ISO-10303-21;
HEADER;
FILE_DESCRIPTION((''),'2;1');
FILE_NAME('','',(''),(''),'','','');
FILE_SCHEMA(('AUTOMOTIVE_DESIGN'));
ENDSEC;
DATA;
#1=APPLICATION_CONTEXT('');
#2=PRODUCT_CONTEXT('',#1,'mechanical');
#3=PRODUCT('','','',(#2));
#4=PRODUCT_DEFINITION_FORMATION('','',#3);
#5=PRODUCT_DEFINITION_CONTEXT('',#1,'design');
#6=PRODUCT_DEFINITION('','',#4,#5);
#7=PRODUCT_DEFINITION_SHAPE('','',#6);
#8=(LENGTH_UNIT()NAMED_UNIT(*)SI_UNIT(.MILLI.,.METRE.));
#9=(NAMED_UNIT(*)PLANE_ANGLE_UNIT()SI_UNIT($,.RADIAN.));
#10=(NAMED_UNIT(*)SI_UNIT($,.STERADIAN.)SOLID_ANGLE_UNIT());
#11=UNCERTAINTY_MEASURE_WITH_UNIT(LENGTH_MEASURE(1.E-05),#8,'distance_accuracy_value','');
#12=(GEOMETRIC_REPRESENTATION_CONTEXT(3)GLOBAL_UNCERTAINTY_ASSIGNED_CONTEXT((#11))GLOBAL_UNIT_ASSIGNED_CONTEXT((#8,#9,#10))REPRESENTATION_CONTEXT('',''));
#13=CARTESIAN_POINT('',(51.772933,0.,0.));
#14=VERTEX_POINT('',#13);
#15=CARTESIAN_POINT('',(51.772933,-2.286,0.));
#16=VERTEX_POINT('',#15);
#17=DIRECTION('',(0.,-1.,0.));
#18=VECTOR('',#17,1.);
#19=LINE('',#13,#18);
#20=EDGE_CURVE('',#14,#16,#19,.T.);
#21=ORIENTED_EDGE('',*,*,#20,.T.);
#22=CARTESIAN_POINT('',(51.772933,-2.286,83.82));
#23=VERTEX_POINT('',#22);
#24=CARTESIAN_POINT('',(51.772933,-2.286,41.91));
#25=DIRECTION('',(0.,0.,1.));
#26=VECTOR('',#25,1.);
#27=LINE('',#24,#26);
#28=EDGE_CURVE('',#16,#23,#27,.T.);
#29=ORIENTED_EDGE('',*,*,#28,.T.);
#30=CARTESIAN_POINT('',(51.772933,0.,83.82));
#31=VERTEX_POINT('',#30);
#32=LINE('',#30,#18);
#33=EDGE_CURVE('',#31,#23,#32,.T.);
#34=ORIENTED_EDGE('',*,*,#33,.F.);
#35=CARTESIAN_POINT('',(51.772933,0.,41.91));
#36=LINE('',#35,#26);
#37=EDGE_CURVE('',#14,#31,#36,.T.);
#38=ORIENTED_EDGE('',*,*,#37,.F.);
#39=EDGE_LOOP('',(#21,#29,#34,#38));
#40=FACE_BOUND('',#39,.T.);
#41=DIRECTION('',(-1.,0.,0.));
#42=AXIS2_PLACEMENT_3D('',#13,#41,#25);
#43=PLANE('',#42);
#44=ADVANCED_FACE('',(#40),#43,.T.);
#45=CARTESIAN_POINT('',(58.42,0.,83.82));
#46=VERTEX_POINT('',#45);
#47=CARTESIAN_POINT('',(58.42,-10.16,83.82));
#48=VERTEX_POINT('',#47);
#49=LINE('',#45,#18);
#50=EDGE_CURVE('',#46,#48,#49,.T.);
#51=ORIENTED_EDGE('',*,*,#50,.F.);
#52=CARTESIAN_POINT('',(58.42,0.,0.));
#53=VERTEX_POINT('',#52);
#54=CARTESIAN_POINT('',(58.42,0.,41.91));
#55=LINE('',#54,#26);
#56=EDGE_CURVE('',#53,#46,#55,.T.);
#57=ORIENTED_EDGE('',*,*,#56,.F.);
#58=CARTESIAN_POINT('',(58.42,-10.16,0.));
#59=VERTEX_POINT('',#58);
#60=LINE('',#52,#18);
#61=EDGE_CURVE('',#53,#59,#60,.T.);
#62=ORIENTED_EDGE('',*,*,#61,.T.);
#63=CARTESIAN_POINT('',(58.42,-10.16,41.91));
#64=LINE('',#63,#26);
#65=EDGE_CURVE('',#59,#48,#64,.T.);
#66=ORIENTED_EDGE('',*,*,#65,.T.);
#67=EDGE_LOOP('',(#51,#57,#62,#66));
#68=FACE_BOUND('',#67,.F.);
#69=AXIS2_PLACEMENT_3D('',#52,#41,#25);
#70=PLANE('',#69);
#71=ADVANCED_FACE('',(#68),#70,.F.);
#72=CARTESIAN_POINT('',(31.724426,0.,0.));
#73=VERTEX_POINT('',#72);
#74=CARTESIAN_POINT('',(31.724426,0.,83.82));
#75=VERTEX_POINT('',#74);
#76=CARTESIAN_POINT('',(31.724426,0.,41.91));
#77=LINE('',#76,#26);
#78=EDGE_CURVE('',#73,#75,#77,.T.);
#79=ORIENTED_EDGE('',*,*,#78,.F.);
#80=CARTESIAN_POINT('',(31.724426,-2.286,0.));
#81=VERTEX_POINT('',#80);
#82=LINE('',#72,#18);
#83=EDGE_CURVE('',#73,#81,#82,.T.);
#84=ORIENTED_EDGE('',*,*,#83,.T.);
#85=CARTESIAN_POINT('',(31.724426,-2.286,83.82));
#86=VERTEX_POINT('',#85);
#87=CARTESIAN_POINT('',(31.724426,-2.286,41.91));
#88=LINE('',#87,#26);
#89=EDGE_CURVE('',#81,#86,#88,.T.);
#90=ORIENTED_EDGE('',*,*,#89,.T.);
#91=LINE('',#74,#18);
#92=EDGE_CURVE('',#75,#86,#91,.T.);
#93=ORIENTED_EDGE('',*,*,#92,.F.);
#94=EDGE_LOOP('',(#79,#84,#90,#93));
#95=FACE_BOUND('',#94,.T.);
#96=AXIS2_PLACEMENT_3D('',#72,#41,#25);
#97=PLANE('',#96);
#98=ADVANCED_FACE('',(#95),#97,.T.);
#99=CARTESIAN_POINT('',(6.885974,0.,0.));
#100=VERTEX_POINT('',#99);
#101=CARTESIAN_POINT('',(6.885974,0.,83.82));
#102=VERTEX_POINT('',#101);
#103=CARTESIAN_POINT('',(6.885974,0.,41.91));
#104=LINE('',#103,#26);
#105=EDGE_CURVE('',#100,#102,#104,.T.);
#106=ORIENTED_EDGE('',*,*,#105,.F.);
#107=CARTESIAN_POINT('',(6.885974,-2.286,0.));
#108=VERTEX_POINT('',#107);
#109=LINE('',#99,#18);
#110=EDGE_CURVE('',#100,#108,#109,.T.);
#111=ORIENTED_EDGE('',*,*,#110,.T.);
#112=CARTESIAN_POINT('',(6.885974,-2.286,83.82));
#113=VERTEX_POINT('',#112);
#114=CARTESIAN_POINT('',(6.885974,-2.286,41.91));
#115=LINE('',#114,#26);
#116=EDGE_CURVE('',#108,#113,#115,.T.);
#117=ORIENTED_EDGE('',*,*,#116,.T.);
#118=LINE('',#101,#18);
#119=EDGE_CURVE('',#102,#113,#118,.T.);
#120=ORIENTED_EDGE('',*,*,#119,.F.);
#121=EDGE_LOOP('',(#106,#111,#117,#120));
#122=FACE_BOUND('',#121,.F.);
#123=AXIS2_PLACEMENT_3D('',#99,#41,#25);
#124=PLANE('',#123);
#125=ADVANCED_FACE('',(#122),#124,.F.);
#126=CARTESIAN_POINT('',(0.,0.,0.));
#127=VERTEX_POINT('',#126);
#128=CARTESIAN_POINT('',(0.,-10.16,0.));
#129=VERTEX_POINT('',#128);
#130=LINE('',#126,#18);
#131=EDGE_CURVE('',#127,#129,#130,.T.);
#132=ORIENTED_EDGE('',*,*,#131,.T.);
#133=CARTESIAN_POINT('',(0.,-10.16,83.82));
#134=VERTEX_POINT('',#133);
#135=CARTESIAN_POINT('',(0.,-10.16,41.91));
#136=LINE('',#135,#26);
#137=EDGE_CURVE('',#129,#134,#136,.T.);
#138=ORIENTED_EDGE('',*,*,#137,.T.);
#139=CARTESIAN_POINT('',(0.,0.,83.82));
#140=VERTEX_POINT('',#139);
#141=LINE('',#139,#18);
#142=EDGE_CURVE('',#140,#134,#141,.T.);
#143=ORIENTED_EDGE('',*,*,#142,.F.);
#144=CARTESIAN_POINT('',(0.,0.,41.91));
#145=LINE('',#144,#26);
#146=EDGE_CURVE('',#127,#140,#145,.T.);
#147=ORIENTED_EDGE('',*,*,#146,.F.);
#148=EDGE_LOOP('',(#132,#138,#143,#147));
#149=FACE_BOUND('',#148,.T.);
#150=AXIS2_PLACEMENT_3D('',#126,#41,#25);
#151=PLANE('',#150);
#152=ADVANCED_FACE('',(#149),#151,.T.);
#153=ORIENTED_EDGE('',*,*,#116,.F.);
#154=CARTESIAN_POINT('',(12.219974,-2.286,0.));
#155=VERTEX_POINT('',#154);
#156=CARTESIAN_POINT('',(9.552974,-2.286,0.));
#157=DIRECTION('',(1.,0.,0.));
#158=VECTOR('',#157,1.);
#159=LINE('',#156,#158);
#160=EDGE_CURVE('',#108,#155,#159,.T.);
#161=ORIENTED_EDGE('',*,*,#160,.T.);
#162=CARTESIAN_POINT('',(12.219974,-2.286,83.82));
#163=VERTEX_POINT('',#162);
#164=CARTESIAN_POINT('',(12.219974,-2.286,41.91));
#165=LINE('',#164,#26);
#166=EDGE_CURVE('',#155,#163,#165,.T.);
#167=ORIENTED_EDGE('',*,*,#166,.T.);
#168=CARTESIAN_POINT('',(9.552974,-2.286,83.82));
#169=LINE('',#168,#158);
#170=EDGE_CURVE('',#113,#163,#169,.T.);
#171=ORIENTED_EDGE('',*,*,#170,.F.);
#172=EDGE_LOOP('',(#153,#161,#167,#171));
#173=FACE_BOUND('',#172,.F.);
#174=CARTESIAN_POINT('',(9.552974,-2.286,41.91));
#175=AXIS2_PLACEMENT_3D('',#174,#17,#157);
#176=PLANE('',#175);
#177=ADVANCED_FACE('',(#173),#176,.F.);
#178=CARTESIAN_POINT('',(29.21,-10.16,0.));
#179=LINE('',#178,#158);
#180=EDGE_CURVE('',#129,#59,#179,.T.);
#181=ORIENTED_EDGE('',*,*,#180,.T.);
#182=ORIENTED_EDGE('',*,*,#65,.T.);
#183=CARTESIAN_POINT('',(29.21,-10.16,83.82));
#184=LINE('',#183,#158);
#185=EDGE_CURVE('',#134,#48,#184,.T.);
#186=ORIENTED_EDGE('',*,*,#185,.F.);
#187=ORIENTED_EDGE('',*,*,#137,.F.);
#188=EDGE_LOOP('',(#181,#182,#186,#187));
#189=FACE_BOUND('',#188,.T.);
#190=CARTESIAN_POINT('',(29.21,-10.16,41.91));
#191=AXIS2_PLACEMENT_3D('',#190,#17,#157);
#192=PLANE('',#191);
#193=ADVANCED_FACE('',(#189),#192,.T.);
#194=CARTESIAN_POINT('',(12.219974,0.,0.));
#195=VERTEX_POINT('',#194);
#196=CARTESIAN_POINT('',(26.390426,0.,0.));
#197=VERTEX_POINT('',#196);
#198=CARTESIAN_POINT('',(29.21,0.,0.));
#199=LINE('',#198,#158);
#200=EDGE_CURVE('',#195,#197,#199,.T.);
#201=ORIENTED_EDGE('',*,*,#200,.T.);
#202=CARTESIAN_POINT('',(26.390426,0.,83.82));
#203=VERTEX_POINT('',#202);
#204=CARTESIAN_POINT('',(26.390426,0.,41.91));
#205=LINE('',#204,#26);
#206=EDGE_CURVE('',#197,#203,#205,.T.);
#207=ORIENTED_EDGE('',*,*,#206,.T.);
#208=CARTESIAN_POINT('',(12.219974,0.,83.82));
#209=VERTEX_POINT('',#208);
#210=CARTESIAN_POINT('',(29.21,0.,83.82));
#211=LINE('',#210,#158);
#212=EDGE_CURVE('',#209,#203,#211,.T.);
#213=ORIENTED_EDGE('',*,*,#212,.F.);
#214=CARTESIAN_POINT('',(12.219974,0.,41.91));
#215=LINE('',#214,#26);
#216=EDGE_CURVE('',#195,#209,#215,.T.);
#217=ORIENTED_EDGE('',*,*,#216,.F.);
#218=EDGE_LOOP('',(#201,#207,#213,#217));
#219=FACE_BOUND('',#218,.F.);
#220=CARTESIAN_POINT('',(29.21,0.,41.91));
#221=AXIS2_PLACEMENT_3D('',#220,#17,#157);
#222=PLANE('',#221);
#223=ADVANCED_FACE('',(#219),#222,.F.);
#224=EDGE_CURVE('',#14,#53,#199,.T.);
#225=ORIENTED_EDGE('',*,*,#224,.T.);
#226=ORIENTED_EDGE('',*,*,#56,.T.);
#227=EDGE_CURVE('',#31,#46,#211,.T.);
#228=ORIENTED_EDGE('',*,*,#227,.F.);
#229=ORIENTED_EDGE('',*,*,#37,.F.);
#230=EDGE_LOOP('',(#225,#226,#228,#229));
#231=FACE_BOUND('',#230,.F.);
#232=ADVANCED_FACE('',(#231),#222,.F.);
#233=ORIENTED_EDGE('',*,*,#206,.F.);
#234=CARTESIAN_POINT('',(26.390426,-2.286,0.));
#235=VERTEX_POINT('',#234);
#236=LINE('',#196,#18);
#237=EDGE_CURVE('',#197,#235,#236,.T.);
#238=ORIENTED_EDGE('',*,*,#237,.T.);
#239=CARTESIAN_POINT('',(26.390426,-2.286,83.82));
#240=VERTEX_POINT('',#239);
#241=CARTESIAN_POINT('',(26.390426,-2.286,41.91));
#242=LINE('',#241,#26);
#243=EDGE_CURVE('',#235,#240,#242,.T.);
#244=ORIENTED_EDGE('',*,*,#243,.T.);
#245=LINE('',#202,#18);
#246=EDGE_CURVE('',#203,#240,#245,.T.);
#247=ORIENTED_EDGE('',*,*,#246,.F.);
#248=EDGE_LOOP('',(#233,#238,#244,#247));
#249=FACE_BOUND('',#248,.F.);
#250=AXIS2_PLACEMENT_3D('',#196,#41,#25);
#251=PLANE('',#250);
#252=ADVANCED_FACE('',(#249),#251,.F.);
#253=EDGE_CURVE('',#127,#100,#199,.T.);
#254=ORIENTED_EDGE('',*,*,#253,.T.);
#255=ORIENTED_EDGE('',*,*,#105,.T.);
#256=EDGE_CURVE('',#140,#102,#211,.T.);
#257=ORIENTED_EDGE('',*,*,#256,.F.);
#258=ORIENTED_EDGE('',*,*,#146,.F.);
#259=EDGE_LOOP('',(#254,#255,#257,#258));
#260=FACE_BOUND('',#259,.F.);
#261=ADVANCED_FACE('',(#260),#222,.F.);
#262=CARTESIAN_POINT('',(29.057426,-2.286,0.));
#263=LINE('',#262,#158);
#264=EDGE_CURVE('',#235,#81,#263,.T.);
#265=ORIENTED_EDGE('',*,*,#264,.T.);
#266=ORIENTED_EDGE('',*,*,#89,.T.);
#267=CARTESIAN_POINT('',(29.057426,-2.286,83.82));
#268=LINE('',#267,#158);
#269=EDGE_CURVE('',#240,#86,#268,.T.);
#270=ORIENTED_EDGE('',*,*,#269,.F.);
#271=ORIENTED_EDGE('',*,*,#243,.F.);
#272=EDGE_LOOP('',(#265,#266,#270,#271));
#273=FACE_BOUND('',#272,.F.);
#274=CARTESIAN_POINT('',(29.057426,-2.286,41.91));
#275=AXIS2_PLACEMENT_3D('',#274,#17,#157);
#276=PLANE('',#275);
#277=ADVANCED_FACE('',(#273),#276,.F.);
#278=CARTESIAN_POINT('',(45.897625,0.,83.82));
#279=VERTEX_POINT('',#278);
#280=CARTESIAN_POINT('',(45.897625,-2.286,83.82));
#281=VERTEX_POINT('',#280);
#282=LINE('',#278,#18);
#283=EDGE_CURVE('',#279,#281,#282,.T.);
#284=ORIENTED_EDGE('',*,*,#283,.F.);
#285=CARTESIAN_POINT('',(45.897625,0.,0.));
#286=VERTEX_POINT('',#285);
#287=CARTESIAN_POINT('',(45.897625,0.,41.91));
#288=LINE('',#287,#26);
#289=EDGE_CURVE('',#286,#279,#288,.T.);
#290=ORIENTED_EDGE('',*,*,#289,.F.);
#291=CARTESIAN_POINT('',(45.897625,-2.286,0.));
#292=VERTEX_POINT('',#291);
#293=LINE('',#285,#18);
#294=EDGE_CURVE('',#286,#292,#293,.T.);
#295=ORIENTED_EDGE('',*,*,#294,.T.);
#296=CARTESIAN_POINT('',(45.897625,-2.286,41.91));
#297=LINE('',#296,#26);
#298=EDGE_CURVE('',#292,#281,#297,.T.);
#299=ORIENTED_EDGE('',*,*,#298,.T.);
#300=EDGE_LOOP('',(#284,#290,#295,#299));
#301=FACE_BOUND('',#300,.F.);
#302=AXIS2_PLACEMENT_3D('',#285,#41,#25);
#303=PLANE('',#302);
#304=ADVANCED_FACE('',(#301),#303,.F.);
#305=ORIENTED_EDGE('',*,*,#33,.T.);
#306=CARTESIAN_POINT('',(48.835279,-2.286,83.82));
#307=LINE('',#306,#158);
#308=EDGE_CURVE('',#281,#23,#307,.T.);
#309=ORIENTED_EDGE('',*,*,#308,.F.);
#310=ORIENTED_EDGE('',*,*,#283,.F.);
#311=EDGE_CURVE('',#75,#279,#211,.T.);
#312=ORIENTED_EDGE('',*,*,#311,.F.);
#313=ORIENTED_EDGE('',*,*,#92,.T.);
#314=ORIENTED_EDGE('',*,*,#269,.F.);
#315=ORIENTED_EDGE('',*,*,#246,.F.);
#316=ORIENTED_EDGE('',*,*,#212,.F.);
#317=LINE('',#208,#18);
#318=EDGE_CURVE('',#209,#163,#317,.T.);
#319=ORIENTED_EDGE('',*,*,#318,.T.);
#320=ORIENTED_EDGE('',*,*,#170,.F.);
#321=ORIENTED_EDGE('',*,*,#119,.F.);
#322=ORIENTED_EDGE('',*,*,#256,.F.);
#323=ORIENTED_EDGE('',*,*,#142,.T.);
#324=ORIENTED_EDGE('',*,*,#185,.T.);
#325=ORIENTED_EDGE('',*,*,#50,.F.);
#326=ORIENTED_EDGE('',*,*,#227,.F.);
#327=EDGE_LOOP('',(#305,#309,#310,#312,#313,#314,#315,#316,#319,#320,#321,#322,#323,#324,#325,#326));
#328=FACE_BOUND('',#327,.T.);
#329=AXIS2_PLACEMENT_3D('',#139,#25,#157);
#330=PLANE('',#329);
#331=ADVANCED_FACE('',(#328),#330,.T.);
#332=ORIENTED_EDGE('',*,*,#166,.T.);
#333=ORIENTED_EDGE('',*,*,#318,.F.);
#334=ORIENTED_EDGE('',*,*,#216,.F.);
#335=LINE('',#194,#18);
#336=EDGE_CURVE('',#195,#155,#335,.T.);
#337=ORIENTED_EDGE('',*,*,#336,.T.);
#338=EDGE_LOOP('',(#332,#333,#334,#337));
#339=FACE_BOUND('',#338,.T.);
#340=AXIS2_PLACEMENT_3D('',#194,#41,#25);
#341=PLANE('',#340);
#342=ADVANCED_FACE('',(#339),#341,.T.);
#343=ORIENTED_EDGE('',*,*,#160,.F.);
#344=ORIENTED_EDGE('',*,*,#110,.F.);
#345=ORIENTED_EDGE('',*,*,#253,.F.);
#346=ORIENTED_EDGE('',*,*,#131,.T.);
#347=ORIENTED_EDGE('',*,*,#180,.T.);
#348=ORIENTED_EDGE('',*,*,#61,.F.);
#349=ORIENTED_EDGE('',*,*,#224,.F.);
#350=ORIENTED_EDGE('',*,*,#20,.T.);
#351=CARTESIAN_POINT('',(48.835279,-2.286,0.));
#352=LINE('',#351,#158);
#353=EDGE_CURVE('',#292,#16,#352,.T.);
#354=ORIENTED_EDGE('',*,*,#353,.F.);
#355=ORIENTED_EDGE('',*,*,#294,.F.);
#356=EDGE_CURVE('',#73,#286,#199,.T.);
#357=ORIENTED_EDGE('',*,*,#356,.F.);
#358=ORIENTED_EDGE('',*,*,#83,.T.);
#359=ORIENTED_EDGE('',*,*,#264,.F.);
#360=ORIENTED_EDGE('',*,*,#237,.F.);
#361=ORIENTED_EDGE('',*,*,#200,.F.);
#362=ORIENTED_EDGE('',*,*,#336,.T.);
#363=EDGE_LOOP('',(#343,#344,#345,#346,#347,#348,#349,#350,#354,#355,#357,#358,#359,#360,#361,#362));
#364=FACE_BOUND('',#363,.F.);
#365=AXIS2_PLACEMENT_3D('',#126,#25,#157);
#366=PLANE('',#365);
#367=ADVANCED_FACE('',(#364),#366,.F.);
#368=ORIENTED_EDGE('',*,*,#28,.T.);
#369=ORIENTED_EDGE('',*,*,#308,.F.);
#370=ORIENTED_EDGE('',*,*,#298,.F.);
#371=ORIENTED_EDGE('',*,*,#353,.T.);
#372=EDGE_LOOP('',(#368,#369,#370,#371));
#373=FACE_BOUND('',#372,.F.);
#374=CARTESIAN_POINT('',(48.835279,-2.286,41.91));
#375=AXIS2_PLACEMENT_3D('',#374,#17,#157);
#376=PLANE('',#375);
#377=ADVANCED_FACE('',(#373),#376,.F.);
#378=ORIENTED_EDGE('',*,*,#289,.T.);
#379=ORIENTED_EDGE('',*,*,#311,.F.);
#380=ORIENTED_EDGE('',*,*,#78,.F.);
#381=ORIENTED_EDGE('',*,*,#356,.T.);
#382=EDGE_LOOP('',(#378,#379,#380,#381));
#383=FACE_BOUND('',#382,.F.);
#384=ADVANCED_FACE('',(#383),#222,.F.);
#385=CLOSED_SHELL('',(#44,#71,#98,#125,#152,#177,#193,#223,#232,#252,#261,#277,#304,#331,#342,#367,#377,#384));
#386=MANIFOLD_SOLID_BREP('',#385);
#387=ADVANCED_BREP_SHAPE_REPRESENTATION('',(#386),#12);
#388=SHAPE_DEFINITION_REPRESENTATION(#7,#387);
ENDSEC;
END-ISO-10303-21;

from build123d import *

# Parameters (mm, degrees)
F0_W     = 58.42
F0_H     = 83.82
F1_DEPTH = 10.16
F2_W     = 5.334
F2_H     = 83.82
F2_W_2   = 5.875307
F3_DEPTH = 2.286


with BuildPart() as f1:
    # F0 (on Front) → F1 (new body)
    with BuildSketch(Plane.XZ):
        with Locations((29.21, 41.91)):
            Rectangle(F0_W, F0_H)
    extrude(amount=F1_DEPTH)

    # F2 (on Front) → F3 (cut)
    with BuildSketch(Plane.XZ):
        with Locations((9.552974, 41.91)):
            Rectangle(F2_W, F2_H)
        with Locations((29.057426, 41.91)):
            Rectangle(F2_W, F2_H)
        with Locations((48.835279, 41.91)):
            Rectangle(F2_W_2, F2_H)
    extrude(amount=F3_DEPTH, mode=Mode.SUBTRACT)


solid = f1.part
